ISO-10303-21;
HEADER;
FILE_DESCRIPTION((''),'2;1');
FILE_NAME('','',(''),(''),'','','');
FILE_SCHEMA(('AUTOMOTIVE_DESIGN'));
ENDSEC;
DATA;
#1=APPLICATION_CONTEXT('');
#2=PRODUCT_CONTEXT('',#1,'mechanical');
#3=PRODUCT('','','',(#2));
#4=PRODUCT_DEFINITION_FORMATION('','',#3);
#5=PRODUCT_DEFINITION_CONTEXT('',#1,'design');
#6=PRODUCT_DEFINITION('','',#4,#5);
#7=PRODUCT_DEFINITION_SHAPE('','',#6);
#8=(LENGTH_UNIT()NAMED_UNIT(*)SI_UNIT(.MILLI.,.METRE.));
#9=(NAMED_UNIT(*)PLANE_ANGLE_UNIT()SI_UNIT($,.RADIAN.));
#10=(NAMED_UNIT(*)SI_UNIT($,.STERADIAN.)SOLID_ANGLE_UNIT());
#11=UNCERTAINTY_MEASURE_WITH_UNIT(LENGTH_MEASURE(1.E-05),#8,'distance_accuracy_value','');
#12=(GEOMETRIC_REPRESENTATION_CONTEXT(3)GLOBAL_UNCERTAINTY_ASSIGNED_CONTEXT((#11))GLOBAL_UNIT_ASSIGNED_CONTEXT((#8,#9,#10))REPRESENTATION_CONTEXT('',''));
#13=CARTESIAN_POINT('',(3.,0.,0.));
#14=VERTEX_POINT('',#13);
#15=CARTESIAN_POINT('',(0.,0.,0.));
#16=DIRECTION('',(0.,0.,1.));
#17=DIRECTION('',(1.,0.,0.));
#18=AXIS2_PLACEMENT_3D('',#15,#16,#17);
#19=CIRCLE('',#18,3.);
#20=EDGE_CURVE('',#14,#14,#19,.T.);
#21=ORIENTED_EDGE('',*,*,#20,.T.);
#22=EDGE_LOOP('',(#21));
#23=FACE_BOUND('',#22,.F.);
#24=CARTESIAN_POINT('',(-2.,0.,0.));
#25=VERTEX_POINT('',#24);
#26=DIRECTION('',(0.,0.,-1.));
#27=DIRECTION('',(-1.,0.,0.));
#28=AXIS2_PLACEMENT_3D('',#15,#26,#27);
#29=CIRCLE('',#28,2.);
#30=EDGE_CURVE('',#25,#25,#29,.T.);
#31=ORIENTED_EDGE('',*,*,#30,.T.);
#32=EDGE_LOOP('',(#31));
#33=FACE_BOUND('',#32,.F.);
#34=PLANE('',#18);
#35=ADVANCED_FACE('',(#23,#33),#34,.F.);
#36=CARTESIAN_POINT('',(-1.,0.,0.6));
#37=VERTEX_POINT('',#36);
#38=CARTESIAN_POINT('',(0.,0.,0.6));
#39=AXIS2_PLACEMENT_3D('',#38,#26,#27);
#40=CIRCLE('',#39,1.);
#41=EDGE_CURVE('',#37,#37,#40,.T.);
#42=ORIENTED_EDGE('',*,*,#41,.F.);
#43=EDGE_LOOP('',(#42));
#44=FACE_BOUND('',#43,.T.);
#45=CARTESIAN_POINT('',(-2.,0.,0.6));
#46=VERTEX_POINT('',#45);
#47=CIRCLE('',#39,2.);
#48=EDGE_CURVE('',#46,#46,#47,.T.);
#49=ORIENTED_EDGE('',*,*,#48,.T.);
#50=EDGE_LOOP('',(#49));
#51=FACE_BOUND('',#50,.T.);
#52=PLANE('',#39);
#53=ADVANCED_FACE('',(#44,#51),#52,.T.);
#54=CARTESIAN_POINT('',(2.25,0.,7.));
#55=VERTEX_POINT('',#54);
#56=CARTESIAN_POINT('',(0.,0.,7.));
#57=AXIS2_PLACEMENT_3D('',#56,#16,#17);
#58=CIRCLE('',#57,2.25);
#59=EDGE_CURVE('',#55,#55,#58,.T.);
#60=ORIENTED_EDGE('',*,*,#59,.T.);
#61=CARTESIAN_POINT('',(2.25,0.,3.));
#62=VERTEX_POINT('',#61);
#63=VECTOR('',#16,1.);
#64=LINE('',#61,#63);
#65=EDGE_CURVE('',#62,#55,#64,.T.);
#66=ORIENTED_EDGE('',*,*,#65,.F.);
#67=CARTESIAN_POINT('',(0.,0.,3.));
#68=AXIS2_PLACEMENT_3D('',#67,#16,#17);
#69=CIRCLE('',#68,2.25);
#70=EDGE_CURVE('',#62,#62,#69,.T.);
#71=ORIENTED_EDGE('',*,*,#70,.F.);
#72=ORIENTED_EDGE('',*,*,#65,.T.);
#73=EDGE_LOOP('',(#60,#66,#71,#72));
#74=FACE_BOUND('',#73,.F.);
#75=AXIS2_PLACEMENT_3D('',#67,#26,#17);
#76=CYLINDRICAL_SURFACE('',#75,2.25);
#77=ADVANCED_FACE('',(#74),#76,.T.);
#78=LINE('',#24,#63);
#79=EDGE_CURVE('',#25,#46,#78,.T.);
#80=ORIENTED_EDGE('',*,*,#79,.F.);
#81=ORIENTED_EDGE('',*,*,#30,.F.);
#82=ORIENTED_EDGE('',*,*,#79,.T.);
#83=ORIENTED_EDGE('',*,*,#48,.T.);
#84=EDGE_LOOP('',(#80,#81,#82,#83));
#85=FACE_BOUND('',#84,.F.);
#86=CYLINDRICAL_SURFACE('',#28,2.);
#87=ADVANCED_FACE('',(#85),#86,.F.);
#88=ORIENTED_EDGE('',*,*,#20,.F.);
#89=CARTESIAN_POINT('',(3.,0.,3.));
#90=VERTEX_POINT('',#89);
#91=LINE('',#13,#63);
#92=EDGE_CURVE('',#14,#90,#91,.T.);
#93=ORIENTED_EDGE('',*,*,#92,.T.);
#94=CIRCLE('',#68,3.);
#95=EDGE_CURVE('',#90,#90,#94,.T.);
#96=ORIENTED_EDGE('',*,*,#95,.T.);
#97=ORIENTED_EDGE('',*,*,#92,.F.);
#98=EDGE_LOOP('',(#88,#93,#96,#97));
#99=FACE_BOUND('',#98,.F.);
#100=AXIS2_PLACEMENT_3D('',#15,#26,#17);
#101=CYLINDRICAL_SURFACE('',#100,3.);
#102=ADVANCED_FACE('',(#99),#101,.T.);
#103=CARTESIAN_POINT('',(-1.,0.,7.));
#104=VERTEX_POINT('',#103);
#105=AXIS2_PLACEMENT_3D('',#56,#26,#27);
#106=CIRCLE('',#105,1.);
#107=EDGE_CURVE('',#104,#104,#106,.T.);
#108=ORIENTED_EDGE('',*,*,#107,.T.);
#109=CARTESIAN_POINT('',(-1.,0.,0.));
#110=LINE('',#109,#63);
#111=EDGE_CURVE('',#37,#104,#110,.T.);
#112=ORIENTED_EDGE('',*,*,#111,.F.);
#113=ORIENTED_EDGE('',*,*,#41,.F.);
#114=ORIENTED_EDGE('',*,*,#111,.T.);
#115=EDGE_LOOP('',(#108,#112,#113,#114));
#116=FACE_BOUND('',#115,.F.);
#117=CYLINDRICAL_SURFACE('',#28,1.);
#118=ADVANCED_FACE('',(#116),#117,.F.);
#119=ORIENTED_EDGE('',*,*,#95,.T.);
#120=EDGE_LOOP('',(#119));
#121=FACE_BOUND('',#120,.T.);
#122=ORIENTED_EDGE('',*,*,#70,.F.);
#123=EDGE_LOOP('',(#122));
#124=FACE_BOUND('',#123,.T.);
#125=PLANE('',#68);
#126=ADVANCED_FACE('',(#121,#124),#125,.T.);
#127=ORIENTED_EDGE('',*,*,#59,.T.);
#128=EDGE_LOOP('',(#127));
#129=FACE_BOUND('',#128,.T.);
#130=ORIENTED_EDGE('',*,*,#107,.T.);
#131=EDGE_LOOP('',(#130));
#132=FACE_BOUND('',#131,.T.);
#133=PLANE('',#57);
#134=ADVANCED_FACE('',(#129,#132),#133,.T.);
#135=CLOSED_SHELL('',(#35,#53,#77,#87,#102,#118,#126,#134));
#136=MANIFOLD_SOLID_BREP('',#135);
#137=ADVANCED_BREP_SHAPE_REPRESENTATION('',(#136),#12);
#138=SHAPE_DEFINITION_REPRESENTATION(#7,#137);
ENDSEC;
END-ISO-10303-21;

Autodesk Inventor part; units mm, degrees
ref_plane "YZ Plane" through (0, 0, 0) normal (1, 0, 0) x (0, 1, 0)
ref_plane "XZ Plane" through (0, 0, 0) normal (0, 1, 0) x (-1, 0, 0)
ref_plane "XY Plane" through (0, 0, 0) normal (0, 0, 1) x (1, 0, 0)
sketch "スケッチ1" plane through (0, 0, 0) normal (0, 0, 1) x (1, 0, 0)
  circle A0 centre (0, 0) radius 3
  dimension "d0" = 6
extrude "押し出し1" add sketch "スケッチ1" along normal blind 3
sketch "スケッチ2" plane through (0, 0, 3) normal (0, 0, 1) x (1, 0, 0)
  circle A0 centre (0, 0) radius 2.25
  dimension "d3" = 4.5
extrude "押し出し2" add sketch "スケッチ2" along normal blind 4
sketch "スケッチ3" plane through (0, 0, 0) normal (0, 0, -1) x (-1, 0, 0)
  circle A0 centre (0, 0) radius 2
  dimension "d6" = 4
extrude "押し出し3" cut sketch "スケッチ3" against normal blind 0.6
sketch "スケッチ4" plane through (0, 0, 0) normal (0, 0, -1) x (-1, 0, 0)
  circle A0 centre (0, 0) radius 1
  dimension "d9" = 2
extrude "押し出し4" cut sketch "スケッチ4" against normal through all
properties part number "RD009_ギアDS0.5-12" material "PVC、無可塑"
